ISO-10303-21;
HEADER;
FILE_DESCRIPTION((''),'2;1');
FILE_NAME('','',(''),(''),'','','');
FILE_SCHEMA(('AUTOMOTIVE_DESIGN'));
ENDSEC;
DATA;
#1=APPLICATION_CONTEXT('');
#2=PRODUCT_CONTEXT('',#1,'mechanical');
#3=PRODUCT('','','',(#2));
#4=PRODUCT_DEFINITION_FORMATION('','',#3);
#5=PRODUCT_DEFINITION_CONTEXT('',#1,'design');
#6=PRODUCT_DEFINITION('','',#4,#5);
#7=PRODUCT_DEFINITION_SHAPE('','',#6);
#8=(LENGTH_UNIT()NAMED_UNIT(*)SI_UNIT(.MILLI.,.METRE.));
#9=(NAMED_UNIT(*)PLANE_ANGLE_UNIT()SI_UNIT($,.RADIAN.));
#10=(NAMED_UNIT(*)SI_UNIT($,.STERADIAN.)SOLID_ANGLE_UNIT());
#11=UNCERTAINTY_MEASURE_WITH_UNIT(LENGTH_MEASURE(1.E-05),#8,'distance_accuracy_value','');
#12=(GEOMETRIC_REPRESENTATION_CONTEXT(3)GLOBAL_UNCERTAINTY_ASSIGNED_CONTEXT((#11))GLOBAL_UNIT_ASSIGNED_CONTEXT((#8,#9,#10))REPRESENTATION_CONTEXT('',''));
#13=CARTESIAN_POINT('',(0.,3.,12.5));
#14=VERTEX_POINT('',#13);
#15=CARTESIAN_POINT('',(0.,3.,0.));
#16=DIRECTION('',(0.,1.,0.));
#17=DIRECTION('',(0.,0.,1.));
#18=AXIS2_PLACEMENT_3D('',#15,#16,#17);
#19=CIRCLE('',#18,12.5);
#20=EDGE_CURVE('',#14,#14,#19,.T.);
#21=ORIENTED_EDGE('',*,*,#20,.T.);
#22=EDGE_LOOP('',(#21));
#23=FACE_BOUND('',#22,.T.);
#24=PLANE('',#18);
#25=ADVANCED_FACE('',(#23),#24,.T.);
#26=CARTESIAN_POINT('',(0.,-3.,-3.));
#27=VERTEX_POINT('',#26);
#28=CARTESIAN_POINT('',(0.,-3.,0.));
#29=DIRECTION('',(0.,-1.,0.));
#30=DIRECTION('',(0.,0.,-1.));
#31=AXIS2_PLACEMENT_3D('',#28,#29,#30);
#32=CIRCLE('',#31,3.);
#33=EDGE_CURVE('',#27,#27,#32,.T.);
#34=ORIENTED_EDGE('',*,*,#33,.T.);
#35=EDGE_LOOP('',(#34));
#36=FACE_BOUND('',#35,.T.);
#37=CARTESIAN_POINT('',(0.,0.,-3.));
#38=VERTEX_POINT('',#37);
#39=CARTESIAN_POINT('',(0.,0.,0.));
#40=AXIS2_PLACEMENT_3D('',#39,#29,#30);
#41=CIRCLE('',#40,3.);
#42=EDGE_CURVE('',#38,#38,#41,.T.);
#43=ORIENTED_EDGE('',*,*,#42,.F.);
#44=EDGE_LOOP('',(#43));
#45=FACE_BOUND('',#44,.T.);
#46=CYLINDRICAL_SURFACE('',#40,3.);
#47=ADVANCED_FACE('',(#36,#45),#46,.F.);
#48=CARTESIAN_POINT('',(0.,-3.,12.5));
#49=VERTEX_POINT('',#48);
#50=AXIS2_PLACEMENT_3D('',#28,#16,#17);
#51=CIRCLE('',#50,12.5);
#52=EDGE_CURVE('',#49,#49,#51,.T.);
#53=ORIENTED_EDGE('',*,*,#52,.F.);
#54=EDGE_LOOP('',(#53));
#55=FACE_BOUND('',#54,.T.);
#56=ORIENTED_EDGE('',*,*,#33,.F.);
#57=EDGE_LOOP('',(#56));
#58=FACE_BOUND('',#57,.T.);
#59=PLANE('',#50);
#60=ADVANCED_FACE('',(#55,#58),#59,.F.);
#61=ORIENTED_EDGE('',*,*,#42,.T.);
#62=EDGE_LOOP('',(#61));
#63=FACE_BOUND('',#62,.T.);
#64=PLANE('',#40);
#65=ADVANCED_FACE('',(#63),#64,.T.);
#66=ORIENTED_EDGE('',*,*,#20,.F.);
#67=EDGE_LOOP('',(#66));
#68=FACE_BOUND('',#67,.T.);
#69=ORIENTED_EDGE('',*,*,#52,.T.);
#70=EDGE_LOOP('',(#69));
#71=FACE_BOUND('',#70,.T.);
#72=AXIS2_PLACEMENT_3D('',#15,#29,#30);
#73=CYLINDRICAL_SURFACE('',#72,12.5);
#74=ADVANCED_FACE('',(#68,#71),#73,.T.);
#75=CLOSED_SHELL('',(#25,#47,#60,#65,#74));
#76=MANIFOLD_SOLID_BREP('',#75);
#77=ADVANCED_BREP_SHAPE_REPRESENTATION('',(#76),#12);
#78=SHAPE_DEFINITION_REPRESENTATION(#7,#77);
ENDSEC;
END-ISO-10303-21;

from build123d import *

# Parameters (mm, degrees)
SKETCH2_R           = 12.5
BOSS_EXTRUDE1_DEPTH = 3
SKETCH4_R           = 3
CUT_EXTRUDE2_DEPTH  = 3


with BuildPart() as part:
    # Sketch2 → Boss-Extrude1 (new body, symmetric)
    with BuildSketch(Plane(origin=(0, 0, 0), x_dir=(1, 0, 0), z_dir=(0, 1, 0))):
        Circle(SKETCH2_R)
    extrude(amount=BOSS_EXTRUDE1_DEPTH, both=True)

    # Sketch4 → Cut-Extrude2 (cut)
    with BuildSketch(Plane(origin=(0, -3, 0), x_dir=(-1, 0, 0), z_dir=(0, -1, 0))):
        Circle(SKETCH4_R)
    extrude(amount=-CUT_EXTRUDE2_DEPTH, mode=Mode.SUBTRACT)


solid = part.part
